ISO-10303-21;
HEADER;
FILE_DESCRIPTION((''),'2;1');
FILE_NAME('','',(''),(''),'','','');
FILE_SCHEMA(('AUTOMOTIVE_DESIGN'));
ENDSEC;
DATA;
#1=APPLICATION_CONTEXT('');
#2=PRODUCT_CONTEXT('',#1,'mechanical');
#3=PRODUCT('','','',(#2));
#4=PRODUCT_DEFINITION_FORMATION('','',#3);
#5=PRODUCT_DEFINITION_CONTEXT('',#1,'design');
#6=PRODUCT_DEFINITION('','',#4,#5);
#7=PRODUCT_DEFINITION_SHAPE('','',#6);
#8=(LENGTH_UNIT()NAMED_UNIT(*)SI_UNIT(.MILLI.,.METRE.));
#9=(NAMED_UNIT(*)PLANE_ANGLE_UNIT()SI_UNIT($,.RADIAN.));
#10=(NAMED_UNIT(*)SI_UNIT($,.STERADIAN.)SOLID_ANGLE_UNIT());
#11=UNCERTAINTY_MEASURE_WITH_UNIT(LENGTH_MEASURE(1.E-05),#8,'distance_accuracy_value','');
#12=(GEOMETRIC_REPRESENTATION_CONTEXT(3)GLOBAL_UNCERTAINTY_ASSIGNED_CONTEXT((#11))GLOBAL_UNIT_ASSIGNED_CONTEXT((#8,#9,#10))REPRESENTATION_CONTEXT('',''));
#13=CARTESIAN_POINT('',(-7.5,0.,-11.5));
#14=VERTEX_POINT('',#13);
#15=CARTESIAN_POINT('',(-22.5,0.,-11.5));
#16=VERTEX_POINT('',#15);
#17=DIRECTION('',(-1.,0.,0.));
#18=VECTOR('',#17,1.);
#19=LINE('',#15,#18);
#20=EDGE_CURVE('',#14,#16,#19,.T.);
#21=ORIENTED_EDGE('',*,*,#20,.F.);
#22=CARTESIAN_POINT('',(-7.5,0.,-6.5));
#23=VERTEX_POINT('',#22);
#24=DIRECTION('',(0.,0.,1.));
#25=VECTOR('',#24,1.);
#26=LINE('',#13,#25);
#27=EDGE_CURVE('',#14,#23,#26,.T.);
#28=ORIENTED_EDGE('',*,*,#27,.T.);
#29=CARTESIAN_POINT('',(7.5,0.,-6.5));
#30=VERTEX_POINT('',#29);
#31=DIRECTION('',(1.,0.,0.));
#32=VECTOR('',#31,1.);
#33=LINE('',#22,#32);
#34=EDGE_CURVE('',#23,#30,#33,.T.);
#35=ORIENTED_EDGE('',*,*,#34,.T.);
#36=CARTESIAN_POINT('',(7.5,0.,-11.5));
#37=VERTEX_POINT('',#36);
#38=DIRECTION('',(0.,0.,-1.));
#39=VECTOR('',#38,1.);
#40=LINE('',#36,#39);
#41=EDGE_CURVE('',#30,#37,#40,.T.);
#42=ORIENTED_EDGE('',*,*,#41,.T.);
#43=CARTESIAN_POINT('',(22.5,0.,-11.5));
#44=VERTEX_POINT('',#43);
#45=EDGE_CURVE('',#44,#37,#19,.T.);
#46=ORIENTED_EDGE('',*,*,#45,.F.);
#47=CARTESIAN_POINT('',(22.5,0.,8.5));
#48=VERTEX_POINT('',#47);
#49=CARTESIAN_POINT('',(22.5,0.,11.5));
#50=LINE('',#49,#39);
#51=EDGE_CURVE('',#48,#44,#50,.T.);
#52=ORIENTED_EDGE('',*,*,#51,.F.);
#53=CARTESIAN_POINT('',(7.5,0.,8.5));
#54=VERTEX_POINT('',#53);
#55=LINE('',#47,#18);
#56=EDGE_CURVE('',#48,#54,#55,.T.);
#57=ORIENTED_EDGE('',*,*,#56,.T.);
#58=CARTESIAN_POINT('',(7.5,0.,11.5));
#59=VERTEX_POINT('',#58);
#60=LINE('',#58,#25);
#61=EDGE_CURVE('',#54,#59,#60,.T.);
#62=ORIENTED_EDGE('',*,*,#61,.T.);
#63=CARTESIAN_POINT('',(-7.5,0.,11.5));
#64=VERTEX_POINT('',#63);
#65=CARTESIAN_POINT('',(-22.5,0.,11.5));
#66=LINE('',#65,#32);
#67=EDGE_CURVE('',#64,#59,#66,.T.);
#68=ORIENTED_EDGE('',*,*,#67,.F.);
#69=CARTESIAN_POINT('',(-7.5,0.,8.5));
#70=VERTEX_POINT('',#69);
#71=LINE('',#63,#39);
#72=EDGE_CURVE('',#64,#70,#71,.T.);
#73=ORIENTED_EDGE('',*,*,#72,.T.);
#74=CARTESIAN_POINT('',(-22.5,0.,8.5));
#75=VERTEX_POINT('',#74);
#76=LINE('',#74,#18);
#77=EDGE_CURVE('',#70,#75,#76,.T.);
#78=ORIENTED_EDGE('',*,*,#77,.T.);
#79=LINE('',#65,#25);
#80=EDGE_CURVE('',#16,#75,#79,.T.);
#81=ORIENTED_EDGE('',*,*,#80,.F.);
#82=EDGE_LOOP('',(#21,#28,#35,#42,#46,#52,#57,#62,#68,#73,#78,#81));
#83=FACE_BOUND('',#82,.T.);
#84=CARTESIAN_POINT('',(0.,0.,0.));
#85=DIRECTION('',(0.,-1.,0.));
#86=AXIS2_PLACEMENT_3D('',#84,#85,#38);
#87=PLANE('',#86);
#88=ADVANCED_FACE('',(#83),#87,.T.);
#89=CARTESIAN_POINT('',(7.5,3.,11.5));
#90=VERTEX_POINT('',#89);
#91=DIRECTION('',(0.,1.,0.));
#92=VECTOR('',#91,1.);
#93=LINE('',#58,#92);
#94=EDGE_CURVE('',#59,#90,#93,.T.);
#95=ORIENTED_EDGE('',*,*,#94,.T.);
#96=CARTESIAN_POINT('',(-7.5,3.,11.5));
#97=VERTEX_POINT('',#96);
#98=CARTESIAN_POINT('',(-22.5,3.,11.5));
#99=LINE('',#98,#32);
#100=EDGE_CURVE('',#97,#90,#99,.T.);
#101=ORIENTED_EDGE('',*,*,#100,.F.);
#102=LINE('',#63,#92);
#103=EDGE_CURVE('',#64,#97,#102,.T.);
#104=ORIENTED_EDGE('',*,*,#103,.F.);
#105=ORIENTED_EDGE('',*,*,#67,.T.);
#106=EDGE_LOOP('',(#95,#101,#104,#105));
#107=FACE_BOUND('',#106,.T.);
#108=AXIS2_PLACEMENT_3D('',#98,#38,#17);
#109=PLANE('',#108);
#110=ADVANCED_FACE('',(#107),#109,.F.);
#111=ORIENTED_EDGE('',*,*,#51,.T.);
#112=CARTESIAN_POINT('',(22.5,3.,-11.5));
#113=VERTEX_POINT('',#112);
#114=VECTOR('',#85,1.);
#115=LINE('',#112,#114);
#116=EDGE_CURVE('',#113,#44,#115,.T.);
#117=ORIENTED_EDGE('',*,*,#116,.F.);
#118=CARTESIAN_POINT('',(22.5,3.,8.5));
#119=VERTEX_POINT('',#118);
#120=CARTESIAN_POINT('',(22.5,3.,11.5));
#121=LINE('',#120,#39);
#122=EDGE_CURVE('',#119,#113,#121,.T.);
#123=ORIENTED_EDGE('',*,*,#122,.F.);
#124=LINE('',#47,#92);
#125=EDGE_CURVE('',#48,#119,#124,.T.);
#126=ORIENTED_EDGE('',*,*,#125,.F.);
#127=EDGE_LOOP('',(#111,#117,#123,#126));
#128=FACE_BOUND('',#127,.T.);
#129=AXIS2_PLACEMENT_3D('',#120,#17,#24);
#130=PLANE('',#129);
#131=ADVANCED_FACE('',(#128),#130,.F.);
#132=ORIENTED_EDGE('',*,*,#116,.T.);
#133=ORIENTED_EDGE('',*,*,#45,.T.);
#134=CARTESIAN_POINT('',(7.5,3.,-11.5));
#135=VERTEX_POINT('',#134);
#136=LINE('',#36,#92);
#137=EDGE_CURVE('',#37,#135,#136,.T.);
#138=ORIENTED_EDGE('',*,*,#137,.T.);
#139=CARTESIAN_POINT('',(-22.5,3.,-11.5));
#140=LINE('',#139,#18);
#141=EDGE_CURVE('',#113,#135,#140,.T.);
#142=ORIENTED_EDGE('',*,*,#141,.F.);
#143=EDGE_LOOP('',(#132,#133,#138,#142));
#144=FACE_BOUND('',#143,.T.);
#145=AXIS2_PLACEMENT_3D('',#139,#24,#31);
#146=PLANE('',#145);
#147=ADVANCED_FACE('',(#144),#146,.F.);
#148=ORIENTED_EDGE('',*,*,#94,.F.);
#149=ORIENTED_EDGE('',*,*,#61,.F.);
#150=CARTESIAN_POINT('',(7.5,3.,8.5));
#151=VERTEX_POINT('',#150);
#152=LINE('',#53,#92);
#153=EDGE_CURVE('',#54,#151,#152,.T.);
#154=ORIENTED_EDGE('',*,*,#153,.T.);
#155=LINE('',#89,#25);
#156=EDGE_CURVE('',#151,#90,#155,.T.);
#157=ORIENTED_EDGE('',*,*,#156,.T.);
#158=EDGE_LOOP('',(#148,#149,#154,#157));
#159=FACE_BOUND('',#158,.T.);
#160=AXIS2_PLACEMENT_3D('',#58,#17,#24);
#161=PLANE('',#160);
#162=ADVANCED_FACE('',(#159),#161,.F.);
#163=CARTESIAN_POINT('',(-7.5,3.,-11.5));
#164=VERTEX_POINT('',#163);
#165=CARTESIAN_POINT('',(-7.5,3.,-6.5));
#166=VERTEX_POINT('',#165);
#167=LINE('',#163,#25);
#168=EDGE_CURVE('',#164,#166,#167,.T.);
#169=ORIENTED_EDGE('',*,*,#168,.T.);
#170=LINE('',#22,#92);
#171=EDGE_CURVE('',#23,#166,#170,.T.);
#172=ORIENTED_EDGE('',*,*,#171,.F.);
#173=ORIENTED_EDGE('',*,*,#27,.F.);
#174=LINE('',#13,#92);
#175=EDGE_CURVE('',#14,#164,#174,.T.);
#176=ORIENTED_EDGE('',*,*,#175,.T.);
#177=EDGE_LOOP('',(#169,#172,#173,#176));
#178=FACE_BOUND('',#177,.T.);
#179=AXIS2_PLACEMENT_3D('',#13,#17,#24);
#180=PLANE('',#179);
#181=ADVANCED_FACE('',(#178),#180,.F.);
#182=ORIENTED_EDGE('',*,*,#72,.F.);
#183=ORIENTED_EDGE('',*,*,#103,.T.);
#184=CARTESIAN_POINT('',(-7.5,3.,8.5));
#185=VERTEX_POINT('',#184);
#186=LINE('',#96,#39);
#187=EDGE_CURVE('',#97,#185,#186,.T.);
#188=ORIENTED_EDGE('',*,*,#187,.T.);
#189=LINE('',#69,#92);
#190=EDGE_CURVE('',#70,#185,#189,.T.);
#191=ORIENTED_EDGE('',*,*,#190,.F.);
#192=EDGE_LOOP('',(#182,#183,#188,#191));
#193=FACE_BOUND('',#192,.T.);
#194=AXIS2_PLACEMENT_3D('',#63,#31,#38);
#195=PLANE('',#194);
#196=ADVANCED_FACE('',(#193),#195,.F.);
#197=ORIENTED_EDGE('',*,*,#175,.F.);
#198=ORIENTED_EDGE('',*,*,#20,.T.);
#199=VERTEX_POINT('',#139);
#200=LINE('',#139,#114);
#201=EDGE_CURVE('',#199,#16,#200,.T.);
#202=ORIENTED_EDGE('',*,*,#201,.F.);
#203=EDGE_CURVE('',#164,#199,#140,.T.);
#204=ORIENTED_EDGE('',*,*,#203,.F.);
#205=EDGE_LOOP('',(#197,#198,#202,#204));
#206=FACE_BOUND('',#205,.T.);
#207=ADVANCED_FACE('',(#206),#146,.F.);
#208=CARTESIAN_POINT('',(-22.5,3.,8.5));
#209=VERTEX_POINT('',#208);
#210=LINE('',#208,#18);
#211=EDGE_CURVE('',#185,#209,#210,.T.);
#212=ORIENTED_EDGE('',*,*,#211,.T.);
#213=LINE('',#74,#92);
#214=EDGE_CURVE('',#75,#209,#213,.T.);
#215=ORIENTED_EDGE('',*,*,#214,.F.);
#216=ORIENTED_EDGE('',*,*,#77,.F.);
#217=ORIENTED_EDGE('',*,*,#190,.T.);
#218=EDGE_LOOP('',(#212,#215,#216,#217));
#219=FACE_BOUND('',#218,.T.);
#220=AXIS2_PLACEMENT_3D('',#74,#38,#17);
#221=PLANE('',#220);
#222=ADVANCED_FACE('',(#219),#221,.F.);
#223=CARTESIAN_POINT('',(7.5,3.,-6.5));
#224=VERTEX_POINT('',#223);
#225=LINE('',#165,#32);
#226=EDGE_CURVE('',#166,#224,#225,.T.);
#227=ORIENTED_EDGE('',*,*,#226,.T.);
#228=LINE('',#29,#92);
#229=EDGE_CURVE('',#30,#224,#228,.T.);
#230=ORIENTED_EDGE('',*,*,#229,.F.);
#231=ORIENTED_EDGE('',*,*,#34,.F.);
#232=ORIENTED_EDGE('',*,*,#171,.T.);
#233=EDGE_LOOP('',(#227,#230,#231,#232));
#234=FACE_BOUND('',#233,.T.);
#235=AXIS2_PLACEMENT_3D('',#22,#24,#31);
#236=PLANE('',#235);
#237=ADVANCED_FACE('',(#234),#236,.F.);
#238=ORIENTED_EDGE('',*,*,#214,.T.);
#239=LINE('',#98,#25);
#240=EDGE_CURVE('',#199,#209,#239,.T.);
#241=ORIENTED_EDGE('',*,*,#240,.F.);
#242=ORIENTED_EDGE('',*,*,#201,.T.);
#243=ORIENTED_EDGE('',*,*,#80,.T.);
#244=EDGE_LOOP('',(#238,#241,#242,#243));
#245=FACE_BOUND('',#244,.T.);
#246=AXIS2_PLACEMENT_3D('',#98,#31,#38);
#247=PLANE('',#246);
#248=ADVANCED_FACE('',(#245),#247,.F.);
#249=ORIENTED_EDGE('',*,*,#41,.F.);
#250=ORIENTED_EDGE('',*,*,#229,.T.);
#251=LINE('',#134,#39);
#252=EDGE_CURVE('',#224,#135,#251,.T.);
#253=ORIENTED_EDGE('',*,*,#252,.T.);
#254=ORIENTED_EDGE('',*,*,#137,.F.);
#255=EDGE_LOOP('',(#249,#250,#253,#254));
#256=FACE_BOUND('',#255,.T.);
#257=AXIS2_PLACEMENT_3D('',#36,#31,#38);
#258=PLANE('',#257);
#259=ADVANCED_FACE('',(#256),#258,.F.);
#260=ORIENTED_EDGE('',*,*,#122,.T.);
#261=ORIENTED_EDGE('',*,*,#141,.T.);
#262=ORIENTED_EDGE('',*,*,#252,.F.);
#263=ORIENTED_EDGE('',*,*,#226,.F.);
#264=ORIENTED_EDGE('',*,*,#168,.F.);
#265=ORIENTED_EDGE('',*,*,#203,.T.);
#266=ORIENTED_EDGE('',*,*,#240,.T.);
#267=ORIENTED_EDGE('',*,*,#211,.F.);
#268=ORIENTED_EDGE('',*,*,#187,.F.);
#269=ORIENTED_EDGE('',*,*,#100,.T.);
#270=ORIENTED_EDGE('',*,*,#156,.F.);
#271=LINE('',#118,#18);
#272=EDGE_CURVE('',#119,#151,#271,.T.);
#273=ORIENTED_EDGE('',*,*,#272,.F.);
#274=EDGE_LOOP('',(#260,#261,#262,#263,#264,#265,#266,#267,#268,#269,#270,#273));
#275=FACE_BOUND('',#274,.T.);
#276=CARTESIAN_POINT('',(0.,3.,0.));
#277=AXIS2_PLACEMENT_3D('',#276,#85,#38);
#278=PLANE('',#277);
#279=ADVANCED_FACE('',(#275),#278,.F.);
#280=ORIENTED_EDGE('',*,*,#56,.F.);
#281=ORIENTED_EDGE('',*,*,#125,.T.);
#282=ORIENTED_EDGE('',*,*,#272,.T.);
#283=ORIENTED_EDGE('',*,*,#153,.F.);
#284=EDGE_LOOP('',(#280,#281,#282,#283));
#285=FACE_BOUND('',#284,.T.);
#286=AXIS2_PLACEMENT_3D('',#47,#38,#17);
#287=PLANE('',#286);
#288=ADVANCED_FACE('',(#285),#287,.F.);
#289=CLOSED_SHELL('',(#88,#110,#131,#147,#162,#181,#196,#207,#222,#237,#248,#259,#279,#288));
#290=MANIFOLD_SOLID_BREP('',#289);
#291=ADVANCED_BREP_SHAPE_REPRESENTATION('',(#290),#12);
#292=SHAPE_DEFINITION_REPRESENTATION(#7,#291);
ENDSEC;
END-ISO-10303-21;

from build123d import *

# Parameters (mm, degrees)
SKETCH2_W           = 45
SKETCH2_H           = 23
BOSS_EXTRUDE1_DEPTH = 3
SKETCH3_W           = 15
SKETCH3_H           = 5
CUT_FOR_PINS_DEPTH  = 3
SKETCH6_W           = 15
SKETCH6_H           = 3
CUT_EXTRUDE3_DEPTH  = 3


with BuildPart() as part:
    # Sketch2 → Boss-Extrude1 (new body)
    with BuildSketch(Plane(origin=(0, 0, 0), x_dir=(1, 0, 0), z_dir=(0, 1, 0))):
        Rectangle(SKETCH2_W, SKETCH2_H)
    extrude(amount=BOSS_EXTRUDE1_DEPTH)

    # Sketch3 → cut for pins (cut)
    with BuildSketch(Plane(origin=(0, 3, 0), x_dir=(1, 0, 0), z_dir=(0, 1, 0))):
        with Locations((0, 9)):
            Rectangle(SKETCH3_W, SKETCH3_H)
    extrude(amount=-CUT_FOR_PINS_DEPTH, mode=Mode.SUBTRACT)

    # Sketch6 → Cut-Extrude3 (cut)
    with BuildSketch(Plane(origin=(0, 3, 0), x_dir=(1, 0, 0), z_dir=(0, 1, 0))):
        with Locations((-15, -10)):
            Rectangle(SKETCH6_W, SKETCH6_H)
        with Locations((15, -10)):
            Rectangle(SKETCH6_W, SKETCH6_H)
    extrude(amount=-CUT_EXTRUDE3_DEPTH, mode=Mode.SUBTRACT)


solid = part.part
